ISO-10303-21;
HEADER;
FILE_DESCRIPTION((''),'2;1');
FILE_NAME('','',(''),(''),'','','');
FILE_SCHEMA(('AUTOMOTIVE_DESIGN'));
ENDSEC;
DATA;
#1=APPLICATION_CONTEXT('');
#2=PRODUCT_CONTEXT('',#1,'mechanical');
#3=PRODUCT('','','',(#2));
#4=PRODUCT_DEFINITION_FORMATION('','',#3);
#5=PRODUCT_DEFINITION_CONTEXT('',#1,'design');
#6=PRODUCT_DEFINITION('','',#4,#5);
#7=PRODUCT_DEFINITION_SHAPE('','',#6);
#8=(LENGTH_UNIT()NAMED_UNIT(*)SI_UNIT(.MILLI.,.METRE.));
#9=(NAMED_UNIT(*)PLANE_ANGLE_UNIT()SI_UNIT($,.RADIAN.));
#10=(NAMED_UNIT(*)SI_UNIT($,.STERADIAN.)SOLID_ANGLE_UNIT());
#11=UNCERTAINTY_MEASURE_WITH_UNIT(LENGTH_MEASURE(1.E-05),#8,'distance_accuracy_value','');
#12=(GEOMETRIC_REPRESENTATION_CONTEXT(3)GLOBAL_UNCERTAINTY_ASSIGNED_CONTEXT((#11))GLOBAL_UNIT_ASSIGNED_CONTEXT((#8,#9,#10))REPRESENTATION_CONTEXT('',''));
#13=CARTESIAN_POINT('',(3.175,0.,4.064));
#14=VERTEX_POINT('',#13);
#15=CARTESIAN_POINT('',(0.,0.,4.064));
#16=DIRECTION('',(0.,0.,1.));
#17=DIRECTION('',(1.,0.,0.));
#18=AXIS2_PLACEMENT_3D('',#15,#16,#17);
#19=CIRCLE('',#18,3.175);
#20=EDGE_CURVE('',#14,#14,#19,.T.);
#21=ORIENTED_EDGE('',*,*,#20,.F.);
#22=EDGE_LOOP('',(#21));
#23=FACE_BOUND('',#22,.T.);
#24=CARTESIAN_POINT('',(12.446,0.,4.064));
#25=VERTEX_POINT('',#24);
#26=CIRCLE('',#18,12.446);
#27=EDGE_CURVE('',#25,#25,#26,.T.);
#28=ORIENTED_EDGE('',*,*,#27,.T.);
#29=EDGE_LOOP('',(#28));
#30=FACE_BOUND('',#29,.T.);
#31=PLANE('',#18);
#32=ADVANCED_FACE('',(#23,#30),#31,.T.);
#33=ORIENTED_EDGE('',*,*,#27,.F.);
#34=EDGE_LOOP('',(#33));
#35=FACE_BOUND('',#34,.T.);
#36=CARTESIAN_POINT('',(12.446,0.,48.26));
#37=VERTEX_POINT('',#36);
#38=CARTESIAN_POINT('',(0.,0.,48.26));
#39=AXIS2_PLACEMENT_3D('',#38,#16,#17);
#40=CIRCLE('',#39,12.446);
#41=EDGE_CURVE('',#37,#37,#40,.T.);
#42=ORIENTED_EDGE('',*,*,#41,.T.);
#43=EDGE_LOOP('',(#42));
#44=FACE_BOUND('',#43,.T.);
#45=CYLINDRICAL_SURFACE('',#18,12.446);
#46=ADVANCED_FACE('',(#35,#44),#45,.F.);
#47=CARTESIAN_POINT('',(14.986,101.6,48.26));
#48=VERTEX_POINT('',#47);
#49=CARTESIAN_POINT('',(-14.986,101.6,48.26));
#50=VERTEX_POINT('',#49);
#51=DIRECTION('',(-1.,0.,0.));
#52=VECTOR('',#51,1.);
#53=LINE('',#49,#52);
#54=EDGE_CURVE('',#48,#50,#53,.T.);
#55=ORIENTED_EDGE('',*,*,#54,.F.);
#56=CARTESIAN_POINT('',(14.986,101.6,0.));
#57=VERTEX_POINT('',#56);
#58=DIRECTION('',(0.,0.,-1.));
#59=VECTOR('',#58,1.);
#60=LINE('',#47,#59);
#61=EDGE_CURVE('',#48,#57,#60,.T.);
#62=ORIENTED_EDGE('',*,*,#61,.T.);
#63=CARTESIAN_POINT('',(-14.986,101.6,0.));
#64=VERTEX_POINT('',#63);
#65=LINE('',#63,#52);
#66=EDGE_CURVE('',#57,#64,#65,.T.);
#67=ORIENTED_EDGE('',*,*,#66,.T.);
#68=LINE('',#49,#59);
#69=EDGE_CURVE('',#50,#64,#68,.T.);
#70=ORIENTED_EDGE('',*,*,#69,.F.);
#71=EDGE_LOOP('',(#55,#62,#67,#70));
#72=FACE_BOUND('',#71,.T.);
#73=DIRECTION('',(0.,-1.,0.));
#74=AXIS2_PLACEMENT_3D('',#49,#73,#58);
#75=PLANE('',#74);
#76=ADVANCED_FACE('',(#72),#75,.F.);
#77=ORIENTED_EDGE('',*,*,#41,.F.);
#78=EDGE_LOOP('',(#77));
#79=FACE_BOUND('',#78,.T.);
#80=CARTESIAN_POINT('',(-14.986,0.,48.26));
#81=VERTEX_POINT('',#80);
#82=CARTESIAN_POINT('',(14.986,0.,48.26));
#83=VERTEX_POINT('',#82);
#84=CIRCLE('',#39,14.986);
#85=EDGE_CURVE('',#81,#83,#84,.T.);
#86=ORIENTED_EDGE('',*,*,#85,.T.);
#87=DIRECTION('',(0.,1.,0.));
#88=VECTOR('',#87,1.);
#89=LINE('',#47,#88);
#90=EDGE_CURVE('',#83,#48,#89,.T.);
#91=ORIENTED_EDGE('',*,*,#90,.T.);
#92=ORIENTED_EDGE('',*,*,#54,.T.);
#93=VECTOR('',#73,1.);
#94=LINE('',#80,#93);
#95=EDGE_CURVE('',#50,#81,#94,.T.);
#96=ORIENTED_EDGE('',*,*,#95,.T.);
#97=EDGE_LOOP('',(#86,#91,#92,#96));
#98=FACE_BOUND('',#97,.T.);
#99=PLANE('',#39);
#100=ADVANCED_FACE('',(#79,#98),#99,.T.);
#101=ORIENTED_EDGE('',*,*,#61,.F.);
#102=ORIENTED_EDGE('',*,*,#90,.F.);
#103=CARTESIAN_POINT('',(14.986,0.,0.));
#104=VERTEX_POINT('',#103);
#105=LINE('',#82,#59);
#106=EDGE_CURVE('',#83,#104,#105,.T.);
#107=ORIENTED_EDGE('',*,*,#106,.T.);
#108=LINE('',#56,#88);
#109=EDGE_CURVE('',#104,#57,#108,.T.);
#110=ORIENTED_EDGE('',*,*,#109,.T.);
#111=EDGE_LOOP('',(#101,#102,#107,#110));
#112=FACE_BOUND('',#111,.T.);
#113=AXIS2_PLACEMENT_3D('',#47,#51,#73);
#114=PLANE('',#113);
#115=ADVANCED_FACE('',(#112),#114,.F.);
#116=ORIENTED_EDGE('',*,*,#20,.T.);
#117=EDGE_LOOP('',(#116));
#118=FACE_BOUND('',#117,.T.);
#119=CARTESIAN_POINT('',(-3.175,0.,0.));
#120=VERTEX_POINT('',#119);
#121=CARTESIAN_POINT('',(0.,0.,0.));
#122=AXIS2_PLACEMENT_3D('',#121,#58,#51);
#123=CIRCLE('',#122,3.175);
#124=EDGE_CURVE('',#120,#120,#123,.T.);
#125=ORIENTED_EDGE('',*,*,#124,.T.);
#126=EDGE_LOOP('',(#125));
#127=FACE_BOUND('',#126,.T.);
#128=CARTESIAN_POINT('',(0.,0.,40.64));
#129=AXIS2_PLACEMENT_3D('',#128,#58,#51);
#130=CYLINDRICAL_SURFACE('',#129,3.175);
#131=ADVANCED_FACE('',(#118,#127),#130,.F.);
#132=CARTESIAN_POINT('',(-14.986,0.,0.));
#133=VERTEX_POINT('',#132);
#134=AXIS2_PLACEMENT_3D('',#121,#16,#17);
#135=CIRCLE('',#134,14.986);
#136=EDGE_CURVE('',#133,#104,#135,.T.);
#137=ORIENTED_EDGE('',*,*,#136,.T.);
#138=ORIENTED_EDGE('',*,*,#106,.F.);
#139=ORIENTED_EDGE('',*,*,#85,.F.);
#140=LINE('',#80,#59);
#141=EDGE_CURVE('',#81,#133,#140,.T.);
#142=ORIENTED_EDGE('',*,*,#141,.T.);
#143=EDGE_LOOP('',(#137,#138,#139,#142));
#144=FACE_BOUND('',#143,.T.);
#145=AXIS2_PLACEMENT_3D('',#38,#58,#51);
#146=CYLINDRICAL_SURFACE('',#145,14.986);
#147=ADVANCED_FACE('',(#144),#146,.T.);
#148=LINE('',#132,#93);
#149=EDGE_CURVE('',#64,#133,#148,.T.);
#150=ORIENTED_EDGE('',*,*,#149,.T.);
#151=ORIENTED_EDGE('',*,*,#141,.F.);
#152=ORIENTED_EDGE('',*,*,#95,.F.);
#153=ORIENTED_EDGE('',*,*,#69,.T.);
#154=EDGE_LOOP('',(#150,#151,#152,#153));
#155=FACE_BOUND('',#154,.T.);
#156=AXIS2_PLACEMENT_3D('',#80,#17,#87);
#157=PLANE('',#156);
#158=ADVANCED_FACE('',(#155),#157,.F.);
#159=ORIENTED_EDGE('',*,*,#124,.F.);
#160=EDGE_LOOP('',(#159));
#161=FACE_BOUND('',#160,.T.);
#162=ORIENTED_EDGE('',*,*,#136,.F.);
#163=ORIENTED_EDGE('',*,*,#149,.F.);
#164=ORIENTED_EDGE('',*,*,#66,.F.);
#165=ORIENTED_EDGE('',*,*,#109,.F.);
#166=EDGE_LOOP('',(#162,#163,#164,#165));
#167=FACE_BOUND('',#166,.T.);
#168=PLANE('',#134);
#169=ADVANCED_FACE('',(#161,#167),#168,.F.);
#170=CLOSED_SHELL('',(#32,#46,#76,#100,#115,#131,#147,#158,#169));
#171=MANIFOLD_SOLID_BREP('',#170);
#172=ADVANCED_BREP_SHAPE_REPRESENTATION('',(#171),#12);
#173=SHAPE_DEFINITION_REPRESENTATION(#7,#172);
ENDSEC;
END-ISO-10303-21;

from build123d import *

# Parameters (mm, degrees)
BOSS_EXTRUDE1_DEPTH = 48.26
SKETCH3_R           = 12.446
CUT_EXTRUDE1_DEPTH  = 44.196
SKETCH4_R           = 3.175
CUT_EXTRUDE2_DEPTH  = 40.64


with BuildPart() as part:
    # Sketch2 → Boss-Extrude1 (new body)
    with BuildSketch(Plane.XY):
        with BuildLine():
            Line((-14.986, 0), (-14.986, 101.6))
            Line((-14.986, 101.6), (14.986, 101.6))
            Line((14.986, 101.6), (14.986, 0))
            ThreePointArc((14.986, 0), (0, -14.986), (-14.986, 0))
        make_face()
    extrude(amount=BOSS_EXTRUDE1_DEPTH)

    # Sketch3 → Cut-Extrude1 (cut)
    with BuildSketch(Plane.XY.offset(48.26)):
        Circle(SKETCH3_R)
    extrude(amount=-CUT_EXTRUDE1_DEPTH, mode=Mode.SUBTRACT)

    # Sketch4 → Cut-Extrude2 (cut)
    with BuildSketch(Plane(origin=(0, 0, 0), x_dir=(-1, 0, 0), z_dir=(0, 0, -1))):
        Circle(SKETCH4_R)
    extrude(amount=-CUT_EXTRUDE2_DEPTH, mode=Mode.SUBTRACT)


solid = part.part
